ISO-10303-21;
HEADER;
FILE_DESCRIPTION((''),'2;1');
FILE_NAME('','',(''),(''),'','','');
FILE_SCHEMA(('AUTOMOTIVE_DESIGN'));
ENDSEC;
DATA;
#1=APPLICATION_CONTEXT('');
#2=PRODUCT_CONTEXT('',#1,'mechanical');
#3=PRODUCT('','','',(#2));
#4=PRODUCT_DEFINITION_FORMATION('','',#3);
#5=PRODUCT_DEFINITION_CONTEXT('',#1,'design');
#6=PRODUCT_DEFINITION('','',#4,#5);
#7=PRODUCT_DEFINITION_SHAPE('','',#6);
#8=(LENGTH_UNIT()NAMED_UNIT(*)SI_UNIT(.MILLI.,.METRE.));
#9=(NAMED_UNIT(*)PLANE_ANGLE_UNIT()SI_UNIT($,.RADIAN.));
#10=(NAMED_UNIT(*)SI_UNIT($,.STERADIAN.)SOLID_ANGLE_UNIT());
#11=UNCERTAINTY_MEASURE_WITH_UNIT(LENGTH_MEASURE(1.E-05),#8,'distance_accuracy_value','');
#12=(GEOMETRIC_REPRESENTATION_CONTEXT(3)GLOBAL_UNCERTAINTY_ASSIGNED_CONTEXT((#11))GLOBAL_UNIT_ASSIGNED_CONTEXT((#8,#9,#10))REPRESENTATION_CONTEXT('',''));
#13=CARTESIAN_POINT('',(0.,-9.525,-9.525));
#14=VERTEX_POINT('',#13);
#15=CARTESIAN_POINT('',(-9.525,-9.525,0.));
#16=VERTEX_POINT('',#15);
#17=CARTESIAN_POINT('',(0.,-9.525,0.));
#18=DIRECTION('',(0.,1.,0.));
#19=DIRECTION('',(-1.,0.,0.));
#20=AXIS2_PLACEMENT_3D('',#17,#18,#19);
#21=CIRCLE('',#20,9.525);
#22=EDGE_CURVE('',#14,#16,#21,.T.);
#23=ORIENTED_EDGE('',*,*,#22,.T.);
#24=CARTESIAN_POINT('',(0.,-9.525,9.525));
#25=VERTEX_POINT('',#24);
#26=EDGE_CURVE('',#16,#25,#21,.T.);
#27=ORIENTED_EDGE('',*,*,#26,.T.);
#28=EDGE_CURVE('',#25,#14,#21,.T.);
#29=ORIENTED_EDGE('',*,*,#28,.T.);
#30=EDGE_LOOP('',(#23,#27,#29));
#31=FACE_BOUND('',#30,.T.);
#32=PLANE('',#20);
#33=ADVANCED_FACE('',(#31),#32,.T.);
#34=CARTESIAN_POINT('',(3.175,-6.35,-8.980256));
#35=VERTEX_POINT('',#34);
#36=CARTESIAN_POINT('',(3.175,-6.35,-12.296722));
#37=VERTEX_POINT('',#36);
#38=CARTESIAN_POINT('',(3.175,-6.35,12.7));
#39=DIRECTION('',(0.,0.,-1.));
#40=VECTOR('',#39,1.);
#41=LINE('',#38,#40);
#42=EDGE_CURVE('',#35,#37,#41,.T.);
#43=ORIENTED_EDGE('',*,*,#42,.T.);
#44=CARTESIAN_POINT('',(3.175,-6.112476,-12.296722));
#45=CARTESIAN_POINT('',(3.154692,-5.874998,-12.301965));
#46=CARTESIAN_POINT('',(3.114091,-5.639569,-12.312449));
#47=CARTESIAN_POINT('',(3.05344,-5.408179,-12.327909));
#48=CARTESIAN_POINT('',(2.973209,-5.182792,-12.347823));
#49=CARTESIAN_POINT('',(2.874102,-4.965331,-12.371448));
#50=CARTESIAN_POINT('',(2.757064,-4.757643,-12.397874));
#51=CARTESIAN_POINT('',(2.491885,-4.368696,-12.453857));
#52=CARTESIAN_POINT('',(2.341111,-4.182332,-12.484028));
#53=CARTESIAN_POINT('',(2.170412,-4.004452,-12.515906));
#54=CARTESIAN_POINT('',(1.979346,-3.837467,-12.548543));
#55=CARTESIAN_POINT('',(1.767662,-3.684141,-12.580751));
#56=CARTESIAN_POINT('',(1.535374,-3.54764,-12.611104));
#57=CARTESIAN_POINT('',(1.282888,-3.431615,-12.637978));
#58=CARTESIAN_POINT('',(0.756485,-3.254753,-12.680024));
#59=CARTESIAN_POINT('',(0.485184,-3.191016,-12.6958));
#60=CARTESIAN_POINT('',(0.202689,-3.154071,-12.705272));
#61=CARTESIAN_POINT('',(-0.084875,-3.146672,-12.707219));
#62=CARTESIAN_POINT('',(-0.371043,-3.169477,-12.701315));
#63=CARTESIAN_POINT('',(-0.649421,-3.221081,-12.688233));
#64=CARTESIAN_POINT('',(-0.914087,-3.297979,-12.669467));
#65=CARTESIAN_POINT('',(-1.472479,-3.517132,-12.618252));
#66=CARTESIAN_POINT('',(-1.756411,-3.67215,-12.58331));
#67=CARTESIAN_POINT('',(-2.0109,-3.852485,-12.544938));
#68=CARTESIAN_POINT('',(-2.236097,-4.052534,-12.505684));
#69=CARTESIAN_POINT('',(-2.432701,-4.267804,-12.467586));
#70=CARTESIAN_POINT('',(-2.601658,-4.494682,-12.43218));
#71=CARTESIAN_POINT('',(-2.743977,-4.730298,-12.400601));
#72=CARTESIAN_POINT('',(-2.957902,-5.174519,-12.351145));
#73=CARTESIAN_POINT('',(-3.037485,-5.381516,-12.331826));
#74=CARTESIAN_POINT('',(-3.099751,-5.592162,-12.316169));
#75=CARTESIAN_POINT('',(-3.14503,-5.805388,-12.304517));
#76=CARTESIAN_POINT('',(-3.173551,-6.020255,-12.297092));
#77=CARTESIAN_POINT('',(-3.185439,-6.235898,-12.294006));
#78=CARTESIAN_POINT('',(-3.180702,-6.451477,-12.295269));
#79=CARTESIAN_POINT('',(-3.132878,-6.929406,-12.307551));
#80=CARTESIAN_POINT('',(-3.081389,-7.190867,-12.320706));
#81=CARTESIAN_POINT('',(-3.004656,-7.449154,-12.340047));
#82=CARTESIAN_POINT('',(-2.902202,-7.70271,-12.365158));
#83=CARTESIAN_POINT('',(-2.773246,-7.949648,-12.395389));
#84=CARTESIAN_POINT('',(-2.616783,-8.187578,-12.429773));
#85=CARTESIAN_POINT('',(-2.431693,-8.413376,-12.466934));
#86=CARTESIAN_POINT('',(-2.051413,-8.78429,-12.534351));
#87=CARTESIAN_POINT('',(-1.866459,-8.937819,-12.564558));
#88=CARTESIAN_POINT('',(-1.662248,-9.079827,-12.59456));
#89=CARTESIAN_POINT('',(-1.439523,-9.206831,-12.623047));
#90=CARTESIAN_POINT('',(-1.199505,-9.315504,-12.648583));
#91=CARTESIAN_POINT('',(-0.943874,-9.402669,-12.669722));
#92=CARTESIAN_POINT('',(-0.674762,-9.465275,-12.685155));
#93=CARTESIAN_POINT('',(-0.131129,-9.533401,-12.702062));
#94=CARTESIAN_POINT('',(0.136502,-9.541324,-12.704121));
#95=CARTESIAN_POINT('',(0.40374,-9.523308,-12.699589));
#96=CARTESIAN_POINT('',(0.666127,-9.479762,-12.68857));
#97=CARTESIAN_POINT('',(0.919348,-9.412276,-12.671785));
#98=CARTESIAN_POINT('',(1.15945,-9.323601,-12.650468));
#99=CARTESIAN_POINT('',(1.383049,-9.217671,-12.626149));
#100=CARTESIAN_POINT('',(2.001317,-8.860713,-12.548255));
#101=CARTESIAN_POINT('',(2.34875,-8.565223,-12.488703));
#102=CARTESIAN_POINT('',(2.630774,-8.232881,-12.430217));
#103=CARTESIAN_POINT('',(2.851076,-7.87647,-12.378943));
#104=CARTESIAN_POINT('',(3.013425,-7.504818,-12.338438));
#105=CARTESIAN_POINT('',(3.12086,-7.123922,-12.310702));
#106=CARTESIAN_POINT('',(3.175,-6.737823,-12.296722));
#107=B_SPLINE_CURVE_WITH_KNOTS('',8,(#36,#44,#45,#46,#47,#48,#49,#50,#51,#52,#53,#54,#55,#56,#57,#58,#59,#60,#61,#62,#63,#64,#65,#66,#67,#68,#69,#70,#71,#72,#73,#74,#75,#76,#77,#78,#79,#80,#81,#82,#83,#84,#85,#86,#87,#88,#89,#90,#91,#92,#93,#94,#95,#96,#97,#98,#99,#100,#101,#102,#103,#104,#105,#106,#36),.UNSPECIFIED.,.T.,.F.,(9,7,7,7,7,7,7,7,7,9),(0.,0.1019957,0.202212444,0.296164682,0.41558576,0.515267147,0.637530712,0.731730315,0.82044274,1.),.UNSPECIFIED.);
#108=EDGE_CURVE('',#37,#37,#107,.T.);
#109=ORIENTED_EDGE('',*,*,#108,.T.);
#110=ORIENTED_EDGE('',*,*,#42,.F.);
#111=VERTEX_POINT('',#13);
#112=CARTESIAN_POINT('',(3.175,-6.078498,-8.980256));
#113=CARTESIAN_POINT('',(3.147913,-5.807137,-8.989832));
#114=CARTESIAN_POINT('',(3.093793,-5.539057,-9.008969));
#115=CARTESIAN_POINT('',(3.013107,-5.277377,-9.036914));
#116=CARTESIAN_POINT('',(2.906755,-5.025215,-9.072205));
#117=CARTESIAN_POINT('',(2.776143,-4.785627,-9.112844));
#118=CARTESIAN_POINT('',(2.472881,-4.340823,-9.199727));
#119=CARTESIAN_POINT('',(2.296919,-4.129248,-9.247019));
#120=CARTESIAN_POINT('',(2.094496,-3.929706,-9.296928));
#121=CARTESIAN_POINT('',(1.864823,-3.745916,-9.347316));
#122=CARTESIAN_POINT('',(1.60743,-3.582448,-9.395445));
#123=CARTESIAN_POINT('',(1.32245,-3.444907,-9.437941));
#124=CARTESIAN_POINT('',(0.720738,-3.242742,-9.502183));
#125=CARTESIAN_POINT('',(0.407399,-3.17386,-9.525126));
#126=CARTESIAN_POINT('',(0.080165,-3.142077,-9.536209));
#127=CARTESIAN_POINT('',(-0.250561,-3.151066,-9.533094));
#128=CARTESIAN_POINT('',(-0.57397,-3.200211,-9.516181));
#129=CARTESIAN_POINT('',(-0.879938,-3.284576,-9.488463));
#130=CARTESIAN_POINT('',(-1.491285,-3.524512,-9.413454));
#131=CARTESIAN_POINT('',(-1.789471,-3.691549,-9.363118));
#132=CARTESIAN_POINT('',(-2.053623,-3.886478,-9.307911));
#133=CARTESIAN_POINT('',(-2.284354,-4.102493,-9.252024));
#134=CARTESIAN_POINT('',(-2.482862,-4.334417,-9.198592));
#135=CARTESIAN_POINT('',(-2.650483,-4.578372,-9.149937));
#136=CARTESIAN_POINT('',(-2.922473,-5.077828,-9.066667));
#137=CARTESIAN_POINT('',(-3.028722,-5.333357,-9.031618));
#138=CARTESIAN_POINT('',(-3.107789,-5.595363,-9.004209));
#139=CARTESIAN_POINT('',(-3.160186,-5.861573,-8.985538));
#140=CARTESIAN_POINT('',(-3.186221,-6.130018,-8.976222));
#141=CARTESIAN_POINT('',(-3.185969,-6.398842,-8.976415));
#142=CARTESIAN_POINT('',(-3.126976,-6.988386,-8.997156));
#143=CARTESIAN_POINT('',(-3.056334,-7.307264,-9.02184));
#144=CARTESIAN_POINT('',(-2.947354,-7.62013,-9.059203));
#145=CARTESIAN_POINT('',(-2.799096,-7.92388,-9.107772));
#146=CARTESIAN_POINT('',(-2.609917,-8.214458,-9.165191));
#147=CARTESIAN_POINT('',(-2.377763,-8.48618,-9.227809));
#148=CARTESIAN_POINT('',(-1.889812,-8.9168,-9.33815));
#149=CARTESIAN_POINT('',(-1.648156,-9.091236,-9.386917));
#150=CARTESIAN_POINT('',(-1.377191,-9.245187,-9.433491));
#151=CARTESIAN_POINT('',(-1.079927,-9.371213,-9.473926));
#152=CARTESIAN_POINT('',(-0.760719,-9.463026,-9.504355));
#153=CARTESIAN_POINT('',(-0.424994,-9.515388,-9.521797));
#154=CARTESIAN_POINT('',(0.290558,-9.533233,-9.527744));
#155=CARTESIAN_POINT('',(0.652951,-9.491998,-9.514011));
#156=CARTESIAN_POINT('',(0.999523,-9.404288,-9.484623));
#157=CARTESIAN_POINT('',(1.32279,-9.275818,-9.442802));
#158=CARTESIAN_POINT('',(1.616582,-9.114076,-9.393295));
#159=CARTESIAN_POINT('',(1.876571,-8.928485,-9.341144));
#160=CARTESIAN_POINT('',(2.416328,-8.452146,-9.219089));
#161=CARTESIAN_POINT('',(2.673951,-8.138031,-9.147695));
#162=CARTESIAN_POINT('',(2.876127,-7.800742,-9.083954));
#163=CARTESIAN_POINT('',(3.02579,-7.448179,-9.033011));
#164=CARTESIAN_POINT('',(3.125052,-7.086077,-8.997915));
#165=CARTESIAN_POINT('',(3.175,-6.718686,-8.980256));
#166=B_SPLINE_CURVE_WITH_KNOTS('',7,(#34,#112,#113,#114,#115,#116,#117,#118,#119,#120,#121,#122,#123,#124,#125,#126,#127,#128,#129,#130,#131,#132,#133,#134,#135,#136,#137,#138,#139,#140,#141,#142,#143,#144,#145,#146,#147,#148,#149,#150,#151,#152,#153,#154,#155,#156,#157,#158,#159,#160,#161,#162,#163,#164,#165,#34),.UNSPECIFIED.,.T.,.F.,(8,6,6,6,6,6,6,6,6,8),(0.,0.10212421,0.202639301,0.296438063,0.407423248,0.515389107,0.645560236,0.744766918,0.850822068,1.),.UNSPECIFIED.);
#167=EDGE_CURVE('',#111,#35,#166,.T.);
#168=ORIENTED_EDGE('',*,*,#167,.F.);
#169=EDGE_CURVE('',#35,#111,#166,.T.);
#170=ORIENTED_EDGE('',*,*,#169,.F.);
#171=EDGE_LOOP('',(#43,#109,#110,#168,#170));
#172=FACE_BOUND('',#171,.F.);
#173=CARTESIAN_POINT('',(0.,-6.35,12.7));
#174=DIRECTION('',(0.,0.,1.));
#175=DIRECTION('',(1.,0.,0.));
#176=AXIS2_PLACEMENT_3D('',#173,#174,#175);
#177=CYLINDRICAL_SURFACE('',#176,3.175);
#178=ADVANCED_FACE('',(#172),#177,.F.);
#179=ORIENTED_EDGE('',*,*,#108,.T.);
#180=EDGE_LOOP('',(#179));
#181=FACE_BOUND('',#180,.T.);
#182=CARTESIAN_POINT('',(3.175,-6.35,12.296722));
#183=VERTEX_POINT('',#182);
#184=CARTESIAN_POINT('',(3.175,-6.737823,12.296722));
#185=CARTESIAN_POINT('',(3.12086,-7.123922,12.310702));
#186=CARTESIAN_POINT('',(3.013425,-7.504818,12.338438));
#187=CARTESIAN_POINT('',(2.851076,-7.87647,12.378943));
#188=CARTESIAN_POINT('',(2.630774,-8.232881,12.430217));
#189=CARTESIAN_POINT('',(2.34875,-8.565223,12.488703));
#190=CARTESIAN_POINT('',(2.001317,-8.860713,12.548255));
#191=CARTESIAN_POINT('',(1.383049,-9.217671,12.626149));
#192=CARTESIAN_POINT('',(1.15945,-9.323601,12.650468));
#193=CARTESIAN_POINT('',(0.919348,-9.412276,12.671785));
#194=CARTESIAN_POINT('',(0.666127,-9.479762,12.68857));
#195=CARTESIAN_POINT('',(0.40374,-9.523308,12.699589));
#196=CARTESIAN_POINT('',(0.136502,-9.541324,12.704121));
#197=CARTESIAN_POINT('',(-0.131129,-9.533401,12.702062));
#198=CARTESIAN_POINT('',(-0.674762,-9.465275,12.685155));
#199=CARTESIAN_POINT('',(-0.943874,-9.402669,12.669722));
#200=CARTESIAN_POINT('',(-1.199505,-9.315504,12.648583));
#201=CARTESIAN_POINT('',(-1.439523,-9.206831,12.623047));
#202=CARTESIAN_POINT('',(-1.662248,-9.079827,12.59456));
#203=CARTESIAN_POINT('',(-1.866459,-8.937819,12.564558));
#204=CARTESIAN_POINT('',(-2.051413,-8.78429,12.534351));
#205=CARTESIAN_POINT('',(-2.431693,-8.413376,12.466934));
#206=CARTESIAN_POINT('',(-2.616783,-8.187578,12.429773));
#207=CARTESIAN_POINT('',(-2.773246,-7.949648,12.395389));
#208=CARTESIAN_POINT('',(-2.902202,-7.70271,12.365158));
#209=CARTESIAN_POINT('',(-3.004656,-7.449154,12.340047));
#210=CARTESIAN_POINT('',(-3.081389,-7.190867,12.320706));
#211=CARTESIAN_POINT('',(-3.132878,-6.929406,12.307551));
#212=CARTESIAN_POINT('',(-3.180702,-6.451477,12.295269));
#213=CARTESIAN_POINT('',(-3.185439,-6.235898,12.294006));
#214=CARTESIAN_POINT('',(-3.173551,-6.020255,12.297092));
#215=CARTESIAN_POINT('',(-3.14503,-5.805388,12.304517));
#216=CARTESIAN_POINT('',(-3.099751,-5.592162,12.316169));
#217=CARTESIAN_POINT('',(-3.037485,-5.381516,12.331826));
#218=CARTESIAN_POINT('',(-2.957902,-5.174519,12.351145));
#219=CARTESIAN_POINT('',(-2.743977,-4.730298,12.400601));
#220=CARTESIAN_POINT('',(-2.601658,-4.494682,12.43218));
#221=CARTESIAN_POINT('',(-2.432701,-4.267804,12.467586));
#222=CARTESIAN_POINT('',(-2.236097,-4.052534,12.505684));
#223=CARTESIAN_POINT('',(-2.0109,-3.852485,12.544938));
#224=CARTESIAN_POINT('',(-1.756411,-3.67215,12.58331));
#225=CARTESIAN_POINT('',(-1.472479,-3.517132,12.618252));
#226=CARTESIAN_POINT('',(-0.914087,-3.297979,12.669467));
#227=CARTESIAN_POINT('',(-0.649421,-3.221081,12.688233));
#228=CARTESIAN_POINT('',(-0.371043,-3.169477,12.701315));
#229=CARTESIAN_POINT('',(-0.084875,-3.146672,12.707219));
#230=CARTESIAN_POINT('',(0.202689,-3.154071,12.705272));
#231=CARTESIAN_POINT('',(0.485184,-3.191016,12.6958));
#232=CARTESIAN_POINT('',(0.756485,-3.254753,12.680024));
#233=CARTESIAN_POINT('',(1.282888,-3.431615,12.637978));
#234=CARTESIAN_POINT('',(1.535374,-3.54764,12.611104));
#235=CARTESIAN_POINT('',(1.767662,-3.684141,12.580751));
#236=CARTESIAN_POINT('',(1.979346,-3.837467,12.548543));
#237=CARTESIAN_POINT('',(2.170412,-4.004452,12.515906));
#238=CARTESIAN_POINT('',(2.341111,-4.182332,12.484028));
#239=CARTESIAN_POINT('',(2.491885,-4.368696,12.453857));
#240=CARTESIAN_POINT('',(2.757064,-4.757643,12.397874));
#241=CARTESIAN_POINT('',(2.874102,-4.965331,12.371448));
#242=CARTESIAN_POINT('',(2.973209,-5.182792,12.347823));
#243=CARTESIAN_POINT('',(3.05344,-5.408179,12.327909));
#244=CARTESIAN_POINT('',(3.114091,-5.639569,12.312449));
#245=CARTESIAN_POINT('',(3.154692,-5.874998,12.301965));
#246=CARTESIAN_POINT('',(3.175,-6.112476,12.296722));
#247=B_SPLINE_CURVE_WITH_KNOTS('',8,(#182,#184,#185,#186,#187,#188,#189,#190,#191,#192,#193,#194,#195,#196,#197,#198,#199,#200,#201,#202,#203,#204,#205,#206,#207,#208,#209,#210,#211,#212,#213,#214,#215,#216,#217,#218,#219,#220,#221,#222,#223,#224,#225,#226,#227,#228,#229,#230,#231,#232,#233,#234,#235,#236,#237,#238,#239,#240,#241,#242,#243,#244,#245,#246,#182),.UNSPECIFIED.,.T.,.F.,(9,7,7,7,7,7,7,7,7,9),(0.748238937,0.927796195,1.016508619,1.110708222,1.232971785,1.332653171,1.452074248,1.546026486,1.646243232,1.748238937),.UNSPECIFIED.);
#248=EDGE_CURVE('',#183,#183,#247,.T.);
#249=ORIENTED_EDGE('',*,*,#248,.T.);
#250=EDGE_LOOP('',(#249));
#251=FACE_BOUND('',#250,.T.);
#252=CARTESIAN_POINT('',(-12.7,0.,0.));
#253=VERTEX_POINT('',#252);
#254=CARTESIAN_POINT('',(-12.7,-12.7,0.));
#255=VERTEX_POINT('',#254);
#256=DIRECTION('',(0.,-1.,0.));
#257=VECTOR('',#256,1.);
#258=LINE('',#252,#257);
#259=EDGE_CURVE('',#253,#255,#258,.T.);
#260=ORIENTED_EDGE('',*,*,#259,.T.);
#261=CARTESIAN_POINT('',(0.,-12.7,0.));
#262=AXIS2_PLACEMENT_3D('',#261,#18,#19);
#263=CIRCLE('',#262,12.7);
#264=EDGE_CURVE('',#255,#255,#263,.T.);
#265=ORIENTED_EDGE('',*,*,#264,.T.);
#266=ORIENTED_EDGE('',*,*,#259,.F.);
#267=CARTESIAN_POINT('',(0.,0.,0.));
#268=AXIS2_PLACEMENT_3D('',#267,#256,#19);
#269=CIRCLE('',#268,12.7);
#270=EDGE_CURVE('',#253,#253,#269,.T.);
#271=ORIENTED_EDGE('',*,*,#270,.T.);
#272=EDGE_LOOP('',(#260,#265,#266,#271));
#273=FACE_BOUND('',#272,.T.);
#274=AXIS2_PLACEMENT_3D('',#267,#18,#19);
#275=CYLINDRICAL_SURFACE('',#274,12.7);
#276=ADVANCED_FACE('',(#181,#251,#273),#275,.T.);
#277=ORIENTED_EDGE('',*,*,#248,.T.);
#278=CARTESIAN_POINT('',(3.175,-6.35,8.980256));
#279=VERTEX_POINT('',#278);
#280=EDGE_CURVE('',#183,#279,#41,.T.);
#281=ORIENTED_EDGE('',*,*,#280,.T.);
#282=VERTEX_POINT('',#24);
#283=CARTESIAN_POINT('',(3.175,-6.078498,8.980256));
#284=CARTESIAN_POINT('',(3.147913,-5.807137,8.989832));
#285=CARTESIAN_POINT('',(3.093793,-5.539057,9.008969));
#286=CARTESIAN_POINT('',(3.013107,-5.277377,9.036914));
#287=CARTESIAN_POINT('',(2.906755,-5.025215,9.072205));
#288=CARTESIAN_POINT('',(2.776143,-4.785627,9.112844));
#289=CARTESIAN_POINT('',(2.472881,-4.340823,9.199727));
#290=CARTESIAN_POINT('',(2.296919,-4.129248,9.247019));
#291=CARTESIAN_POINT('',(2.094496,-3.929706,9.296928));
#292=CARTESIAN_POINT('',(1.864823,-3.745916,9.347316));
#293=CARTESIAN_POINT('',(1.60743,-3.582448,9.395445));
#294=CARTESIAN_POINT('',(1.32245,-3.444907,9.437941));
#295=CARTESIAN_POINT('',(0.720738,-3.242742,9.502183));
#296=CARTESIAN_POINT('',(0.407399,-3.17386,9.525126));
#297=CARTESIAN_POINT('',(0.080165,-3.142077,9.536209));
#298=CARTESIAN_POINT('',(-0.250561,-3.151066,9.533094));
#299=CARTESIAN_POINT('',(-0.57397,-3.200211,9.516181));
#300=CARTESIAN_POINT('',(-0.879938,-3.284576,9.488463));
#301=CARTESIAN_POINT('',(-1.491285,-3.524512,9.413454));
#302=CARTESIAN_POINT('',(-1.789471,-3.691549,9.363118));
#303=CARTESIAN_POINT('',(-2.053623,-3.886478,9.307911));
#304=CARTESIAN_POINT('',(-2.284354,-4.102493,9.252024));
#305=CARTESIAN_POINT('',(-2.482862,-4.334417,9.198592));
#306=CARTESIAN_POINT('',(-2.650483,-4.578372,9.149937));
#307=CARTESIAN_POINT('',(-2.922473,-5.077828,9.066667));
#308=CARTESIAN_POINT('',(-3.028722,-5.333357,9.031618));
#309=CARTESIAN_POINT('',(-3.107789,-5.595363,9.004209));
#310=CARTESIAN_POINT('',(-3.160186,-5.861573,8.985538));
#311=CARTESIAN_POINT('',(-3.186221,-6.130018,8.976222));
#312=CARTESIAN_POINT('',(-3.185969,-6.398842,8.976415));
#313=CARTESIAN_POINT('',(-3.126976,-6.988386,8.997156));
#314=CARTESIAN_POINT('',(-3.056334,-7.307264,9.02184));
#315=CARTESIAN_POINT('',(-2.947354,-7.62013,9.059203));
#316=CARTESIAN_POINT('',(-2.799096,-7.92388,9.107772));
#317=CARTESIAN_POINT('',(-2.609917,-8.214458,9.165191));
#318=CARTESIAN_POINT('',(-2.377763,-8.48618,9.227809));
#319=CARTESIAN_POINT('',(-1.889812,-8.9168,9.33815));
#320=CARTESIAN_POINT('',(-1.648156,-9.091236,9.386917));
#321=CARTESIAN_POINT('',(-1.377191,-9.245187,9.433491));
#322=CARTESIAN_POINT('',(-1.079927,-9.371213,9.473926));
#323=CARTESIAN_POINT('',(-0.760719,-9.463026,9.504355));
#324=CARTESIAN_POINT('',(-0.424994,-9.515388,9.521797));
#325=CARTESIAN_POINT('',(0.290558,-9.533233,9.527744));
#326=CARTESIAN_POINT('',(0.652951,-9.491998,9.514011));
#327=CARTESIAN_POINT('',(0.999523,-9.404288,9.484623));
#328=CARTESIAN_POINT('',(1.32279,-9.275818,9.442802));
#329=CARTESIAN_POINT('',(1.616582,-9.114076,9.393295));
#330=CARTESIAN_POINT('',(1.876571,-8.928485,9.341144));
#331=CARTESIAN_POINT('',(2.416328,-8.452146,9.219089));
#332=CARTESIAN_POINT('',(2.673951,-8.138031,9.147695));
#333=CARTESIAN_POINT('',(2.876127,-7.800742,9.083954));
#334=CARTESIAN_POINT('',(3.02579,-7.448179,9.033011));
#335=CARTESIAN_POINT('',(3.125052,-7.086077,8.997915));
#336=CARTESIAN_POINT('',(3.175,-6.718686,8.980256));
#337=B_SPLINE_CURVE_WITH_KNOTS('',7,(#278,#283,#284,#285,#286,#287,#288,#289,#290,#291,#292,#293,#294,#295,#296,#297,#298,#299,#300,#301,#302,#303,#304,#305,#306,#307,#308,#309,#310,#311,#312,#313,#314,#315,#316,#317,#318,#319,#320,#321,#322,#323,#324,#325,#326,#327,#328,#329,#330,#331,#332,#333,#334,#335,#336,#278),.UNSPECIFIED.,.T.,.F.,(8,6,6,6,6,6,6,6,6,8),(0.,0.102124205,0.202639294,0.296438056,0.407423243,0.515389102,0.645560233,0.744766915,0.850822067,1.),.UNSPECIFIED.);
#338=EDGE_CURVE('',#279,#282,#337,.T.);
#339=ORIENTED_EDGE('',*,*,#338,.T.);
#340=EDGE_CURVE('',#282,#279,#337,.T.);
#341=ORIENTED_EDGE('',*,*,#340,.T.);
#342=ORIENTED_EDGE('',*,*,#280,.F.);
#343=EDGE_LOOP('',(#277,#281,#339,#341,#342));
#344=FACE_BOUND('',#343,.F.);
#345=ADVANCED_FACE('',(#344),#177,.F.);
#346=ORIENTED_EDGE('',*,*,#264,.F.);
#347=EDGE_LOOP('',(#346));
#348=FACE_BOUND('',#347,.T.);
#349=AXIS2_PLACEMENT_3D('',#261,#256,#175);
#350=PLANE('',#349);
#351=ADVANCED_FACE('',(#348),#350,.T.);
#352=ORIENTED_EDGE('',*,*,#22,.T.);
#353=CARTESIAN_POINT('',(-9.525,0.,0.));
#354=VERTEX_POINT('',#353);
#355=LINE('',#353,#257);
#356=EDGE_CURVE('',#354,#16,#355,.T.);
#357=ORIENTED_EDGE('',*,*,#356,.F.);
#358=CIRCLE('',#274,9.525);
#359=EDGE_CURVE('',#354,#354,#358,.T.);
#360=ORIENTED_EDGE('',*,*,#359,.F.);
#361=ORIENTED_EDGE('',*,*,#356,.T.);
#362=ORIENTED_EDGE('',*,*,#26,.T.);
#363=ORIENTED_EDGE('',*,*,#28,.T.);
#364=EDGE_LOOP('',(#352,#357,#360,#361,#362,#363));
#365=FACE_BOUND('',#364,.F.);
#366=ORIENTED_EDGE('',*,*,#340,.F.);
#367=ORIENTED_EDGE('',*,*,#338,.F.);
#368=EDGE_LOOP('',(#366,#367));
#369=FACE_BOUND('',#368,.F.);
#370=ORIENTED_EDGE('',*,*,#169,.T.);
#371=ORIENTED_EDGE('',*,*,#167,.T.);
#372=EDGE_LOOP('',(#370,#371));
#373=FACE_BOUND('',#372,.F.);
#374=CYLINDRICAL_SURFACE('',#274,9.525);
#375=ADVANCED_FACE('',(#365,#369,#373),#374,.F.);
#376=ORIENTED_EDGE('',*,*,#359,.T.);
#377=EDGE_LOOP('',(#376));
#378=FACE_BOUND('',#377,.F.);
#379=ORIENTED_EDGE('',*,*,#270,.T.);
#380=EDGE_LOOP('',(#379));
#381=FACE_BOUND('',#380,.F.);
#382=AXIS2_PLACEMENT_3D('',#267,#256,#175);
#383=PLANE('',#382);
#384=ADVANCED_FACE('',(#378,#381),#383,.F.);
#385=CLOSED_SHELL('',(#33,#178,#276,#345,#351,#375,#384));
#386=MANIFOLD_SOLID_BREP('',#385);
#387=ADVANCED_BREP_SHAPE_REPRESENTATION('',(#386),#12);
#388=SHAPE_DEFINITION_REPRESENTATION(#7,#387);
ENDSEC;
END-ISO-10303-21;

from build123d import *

# Parameters (mm, degrees)
F0_W     = 25.4
F0_H     = 25.4
F1_DEPTH = 12.7
F2_R     = 3.175
F3_DEPTH = 25.4
F4_R     = 12.7
F5_DEPTH = 25.4
F6_R     = 9.525
F7_DEPTH = 9.525


with BuildPart() as f1:
    # F0 (on Front) → F1 (new body)
    with BuildSketch(Plane.XZ):
        Rectangle(F0_W, F0_H)
    extrude(amount=F1_DEPTH)

    # F2 (on face) → F3 (cut)
    with BuildSketch(Plane.XY.offset(12.7)):
        with Locations((0, -6.35)):
            Circle(F2_R)
    extrude(amount=-F3_DEPTH, mode=Mode.SUBTRACT)

    # F4 (on face) → F5 (intersect)
    with BuildSketch(Plane(origin=(0, 0, 0), x_dir=(-1, 0, 0), z_dir=(0, 1, 0))):
        Circle(F4_R)
    extrude(amount=-F5_DEPTH, mode=Mode.INTERSECT)

    # F6 (on face) → F7 (cut)
    with BuildSketch(Plane(origin=(0, 0, 0), x_dir=(-1, 0, 0), z_dir=(0, 1, 0))):
        Circle(F6_R)
    extrude(amount=-F7_DEPTH, mode=Mode.SUBTRACT)


solid = f1.part
